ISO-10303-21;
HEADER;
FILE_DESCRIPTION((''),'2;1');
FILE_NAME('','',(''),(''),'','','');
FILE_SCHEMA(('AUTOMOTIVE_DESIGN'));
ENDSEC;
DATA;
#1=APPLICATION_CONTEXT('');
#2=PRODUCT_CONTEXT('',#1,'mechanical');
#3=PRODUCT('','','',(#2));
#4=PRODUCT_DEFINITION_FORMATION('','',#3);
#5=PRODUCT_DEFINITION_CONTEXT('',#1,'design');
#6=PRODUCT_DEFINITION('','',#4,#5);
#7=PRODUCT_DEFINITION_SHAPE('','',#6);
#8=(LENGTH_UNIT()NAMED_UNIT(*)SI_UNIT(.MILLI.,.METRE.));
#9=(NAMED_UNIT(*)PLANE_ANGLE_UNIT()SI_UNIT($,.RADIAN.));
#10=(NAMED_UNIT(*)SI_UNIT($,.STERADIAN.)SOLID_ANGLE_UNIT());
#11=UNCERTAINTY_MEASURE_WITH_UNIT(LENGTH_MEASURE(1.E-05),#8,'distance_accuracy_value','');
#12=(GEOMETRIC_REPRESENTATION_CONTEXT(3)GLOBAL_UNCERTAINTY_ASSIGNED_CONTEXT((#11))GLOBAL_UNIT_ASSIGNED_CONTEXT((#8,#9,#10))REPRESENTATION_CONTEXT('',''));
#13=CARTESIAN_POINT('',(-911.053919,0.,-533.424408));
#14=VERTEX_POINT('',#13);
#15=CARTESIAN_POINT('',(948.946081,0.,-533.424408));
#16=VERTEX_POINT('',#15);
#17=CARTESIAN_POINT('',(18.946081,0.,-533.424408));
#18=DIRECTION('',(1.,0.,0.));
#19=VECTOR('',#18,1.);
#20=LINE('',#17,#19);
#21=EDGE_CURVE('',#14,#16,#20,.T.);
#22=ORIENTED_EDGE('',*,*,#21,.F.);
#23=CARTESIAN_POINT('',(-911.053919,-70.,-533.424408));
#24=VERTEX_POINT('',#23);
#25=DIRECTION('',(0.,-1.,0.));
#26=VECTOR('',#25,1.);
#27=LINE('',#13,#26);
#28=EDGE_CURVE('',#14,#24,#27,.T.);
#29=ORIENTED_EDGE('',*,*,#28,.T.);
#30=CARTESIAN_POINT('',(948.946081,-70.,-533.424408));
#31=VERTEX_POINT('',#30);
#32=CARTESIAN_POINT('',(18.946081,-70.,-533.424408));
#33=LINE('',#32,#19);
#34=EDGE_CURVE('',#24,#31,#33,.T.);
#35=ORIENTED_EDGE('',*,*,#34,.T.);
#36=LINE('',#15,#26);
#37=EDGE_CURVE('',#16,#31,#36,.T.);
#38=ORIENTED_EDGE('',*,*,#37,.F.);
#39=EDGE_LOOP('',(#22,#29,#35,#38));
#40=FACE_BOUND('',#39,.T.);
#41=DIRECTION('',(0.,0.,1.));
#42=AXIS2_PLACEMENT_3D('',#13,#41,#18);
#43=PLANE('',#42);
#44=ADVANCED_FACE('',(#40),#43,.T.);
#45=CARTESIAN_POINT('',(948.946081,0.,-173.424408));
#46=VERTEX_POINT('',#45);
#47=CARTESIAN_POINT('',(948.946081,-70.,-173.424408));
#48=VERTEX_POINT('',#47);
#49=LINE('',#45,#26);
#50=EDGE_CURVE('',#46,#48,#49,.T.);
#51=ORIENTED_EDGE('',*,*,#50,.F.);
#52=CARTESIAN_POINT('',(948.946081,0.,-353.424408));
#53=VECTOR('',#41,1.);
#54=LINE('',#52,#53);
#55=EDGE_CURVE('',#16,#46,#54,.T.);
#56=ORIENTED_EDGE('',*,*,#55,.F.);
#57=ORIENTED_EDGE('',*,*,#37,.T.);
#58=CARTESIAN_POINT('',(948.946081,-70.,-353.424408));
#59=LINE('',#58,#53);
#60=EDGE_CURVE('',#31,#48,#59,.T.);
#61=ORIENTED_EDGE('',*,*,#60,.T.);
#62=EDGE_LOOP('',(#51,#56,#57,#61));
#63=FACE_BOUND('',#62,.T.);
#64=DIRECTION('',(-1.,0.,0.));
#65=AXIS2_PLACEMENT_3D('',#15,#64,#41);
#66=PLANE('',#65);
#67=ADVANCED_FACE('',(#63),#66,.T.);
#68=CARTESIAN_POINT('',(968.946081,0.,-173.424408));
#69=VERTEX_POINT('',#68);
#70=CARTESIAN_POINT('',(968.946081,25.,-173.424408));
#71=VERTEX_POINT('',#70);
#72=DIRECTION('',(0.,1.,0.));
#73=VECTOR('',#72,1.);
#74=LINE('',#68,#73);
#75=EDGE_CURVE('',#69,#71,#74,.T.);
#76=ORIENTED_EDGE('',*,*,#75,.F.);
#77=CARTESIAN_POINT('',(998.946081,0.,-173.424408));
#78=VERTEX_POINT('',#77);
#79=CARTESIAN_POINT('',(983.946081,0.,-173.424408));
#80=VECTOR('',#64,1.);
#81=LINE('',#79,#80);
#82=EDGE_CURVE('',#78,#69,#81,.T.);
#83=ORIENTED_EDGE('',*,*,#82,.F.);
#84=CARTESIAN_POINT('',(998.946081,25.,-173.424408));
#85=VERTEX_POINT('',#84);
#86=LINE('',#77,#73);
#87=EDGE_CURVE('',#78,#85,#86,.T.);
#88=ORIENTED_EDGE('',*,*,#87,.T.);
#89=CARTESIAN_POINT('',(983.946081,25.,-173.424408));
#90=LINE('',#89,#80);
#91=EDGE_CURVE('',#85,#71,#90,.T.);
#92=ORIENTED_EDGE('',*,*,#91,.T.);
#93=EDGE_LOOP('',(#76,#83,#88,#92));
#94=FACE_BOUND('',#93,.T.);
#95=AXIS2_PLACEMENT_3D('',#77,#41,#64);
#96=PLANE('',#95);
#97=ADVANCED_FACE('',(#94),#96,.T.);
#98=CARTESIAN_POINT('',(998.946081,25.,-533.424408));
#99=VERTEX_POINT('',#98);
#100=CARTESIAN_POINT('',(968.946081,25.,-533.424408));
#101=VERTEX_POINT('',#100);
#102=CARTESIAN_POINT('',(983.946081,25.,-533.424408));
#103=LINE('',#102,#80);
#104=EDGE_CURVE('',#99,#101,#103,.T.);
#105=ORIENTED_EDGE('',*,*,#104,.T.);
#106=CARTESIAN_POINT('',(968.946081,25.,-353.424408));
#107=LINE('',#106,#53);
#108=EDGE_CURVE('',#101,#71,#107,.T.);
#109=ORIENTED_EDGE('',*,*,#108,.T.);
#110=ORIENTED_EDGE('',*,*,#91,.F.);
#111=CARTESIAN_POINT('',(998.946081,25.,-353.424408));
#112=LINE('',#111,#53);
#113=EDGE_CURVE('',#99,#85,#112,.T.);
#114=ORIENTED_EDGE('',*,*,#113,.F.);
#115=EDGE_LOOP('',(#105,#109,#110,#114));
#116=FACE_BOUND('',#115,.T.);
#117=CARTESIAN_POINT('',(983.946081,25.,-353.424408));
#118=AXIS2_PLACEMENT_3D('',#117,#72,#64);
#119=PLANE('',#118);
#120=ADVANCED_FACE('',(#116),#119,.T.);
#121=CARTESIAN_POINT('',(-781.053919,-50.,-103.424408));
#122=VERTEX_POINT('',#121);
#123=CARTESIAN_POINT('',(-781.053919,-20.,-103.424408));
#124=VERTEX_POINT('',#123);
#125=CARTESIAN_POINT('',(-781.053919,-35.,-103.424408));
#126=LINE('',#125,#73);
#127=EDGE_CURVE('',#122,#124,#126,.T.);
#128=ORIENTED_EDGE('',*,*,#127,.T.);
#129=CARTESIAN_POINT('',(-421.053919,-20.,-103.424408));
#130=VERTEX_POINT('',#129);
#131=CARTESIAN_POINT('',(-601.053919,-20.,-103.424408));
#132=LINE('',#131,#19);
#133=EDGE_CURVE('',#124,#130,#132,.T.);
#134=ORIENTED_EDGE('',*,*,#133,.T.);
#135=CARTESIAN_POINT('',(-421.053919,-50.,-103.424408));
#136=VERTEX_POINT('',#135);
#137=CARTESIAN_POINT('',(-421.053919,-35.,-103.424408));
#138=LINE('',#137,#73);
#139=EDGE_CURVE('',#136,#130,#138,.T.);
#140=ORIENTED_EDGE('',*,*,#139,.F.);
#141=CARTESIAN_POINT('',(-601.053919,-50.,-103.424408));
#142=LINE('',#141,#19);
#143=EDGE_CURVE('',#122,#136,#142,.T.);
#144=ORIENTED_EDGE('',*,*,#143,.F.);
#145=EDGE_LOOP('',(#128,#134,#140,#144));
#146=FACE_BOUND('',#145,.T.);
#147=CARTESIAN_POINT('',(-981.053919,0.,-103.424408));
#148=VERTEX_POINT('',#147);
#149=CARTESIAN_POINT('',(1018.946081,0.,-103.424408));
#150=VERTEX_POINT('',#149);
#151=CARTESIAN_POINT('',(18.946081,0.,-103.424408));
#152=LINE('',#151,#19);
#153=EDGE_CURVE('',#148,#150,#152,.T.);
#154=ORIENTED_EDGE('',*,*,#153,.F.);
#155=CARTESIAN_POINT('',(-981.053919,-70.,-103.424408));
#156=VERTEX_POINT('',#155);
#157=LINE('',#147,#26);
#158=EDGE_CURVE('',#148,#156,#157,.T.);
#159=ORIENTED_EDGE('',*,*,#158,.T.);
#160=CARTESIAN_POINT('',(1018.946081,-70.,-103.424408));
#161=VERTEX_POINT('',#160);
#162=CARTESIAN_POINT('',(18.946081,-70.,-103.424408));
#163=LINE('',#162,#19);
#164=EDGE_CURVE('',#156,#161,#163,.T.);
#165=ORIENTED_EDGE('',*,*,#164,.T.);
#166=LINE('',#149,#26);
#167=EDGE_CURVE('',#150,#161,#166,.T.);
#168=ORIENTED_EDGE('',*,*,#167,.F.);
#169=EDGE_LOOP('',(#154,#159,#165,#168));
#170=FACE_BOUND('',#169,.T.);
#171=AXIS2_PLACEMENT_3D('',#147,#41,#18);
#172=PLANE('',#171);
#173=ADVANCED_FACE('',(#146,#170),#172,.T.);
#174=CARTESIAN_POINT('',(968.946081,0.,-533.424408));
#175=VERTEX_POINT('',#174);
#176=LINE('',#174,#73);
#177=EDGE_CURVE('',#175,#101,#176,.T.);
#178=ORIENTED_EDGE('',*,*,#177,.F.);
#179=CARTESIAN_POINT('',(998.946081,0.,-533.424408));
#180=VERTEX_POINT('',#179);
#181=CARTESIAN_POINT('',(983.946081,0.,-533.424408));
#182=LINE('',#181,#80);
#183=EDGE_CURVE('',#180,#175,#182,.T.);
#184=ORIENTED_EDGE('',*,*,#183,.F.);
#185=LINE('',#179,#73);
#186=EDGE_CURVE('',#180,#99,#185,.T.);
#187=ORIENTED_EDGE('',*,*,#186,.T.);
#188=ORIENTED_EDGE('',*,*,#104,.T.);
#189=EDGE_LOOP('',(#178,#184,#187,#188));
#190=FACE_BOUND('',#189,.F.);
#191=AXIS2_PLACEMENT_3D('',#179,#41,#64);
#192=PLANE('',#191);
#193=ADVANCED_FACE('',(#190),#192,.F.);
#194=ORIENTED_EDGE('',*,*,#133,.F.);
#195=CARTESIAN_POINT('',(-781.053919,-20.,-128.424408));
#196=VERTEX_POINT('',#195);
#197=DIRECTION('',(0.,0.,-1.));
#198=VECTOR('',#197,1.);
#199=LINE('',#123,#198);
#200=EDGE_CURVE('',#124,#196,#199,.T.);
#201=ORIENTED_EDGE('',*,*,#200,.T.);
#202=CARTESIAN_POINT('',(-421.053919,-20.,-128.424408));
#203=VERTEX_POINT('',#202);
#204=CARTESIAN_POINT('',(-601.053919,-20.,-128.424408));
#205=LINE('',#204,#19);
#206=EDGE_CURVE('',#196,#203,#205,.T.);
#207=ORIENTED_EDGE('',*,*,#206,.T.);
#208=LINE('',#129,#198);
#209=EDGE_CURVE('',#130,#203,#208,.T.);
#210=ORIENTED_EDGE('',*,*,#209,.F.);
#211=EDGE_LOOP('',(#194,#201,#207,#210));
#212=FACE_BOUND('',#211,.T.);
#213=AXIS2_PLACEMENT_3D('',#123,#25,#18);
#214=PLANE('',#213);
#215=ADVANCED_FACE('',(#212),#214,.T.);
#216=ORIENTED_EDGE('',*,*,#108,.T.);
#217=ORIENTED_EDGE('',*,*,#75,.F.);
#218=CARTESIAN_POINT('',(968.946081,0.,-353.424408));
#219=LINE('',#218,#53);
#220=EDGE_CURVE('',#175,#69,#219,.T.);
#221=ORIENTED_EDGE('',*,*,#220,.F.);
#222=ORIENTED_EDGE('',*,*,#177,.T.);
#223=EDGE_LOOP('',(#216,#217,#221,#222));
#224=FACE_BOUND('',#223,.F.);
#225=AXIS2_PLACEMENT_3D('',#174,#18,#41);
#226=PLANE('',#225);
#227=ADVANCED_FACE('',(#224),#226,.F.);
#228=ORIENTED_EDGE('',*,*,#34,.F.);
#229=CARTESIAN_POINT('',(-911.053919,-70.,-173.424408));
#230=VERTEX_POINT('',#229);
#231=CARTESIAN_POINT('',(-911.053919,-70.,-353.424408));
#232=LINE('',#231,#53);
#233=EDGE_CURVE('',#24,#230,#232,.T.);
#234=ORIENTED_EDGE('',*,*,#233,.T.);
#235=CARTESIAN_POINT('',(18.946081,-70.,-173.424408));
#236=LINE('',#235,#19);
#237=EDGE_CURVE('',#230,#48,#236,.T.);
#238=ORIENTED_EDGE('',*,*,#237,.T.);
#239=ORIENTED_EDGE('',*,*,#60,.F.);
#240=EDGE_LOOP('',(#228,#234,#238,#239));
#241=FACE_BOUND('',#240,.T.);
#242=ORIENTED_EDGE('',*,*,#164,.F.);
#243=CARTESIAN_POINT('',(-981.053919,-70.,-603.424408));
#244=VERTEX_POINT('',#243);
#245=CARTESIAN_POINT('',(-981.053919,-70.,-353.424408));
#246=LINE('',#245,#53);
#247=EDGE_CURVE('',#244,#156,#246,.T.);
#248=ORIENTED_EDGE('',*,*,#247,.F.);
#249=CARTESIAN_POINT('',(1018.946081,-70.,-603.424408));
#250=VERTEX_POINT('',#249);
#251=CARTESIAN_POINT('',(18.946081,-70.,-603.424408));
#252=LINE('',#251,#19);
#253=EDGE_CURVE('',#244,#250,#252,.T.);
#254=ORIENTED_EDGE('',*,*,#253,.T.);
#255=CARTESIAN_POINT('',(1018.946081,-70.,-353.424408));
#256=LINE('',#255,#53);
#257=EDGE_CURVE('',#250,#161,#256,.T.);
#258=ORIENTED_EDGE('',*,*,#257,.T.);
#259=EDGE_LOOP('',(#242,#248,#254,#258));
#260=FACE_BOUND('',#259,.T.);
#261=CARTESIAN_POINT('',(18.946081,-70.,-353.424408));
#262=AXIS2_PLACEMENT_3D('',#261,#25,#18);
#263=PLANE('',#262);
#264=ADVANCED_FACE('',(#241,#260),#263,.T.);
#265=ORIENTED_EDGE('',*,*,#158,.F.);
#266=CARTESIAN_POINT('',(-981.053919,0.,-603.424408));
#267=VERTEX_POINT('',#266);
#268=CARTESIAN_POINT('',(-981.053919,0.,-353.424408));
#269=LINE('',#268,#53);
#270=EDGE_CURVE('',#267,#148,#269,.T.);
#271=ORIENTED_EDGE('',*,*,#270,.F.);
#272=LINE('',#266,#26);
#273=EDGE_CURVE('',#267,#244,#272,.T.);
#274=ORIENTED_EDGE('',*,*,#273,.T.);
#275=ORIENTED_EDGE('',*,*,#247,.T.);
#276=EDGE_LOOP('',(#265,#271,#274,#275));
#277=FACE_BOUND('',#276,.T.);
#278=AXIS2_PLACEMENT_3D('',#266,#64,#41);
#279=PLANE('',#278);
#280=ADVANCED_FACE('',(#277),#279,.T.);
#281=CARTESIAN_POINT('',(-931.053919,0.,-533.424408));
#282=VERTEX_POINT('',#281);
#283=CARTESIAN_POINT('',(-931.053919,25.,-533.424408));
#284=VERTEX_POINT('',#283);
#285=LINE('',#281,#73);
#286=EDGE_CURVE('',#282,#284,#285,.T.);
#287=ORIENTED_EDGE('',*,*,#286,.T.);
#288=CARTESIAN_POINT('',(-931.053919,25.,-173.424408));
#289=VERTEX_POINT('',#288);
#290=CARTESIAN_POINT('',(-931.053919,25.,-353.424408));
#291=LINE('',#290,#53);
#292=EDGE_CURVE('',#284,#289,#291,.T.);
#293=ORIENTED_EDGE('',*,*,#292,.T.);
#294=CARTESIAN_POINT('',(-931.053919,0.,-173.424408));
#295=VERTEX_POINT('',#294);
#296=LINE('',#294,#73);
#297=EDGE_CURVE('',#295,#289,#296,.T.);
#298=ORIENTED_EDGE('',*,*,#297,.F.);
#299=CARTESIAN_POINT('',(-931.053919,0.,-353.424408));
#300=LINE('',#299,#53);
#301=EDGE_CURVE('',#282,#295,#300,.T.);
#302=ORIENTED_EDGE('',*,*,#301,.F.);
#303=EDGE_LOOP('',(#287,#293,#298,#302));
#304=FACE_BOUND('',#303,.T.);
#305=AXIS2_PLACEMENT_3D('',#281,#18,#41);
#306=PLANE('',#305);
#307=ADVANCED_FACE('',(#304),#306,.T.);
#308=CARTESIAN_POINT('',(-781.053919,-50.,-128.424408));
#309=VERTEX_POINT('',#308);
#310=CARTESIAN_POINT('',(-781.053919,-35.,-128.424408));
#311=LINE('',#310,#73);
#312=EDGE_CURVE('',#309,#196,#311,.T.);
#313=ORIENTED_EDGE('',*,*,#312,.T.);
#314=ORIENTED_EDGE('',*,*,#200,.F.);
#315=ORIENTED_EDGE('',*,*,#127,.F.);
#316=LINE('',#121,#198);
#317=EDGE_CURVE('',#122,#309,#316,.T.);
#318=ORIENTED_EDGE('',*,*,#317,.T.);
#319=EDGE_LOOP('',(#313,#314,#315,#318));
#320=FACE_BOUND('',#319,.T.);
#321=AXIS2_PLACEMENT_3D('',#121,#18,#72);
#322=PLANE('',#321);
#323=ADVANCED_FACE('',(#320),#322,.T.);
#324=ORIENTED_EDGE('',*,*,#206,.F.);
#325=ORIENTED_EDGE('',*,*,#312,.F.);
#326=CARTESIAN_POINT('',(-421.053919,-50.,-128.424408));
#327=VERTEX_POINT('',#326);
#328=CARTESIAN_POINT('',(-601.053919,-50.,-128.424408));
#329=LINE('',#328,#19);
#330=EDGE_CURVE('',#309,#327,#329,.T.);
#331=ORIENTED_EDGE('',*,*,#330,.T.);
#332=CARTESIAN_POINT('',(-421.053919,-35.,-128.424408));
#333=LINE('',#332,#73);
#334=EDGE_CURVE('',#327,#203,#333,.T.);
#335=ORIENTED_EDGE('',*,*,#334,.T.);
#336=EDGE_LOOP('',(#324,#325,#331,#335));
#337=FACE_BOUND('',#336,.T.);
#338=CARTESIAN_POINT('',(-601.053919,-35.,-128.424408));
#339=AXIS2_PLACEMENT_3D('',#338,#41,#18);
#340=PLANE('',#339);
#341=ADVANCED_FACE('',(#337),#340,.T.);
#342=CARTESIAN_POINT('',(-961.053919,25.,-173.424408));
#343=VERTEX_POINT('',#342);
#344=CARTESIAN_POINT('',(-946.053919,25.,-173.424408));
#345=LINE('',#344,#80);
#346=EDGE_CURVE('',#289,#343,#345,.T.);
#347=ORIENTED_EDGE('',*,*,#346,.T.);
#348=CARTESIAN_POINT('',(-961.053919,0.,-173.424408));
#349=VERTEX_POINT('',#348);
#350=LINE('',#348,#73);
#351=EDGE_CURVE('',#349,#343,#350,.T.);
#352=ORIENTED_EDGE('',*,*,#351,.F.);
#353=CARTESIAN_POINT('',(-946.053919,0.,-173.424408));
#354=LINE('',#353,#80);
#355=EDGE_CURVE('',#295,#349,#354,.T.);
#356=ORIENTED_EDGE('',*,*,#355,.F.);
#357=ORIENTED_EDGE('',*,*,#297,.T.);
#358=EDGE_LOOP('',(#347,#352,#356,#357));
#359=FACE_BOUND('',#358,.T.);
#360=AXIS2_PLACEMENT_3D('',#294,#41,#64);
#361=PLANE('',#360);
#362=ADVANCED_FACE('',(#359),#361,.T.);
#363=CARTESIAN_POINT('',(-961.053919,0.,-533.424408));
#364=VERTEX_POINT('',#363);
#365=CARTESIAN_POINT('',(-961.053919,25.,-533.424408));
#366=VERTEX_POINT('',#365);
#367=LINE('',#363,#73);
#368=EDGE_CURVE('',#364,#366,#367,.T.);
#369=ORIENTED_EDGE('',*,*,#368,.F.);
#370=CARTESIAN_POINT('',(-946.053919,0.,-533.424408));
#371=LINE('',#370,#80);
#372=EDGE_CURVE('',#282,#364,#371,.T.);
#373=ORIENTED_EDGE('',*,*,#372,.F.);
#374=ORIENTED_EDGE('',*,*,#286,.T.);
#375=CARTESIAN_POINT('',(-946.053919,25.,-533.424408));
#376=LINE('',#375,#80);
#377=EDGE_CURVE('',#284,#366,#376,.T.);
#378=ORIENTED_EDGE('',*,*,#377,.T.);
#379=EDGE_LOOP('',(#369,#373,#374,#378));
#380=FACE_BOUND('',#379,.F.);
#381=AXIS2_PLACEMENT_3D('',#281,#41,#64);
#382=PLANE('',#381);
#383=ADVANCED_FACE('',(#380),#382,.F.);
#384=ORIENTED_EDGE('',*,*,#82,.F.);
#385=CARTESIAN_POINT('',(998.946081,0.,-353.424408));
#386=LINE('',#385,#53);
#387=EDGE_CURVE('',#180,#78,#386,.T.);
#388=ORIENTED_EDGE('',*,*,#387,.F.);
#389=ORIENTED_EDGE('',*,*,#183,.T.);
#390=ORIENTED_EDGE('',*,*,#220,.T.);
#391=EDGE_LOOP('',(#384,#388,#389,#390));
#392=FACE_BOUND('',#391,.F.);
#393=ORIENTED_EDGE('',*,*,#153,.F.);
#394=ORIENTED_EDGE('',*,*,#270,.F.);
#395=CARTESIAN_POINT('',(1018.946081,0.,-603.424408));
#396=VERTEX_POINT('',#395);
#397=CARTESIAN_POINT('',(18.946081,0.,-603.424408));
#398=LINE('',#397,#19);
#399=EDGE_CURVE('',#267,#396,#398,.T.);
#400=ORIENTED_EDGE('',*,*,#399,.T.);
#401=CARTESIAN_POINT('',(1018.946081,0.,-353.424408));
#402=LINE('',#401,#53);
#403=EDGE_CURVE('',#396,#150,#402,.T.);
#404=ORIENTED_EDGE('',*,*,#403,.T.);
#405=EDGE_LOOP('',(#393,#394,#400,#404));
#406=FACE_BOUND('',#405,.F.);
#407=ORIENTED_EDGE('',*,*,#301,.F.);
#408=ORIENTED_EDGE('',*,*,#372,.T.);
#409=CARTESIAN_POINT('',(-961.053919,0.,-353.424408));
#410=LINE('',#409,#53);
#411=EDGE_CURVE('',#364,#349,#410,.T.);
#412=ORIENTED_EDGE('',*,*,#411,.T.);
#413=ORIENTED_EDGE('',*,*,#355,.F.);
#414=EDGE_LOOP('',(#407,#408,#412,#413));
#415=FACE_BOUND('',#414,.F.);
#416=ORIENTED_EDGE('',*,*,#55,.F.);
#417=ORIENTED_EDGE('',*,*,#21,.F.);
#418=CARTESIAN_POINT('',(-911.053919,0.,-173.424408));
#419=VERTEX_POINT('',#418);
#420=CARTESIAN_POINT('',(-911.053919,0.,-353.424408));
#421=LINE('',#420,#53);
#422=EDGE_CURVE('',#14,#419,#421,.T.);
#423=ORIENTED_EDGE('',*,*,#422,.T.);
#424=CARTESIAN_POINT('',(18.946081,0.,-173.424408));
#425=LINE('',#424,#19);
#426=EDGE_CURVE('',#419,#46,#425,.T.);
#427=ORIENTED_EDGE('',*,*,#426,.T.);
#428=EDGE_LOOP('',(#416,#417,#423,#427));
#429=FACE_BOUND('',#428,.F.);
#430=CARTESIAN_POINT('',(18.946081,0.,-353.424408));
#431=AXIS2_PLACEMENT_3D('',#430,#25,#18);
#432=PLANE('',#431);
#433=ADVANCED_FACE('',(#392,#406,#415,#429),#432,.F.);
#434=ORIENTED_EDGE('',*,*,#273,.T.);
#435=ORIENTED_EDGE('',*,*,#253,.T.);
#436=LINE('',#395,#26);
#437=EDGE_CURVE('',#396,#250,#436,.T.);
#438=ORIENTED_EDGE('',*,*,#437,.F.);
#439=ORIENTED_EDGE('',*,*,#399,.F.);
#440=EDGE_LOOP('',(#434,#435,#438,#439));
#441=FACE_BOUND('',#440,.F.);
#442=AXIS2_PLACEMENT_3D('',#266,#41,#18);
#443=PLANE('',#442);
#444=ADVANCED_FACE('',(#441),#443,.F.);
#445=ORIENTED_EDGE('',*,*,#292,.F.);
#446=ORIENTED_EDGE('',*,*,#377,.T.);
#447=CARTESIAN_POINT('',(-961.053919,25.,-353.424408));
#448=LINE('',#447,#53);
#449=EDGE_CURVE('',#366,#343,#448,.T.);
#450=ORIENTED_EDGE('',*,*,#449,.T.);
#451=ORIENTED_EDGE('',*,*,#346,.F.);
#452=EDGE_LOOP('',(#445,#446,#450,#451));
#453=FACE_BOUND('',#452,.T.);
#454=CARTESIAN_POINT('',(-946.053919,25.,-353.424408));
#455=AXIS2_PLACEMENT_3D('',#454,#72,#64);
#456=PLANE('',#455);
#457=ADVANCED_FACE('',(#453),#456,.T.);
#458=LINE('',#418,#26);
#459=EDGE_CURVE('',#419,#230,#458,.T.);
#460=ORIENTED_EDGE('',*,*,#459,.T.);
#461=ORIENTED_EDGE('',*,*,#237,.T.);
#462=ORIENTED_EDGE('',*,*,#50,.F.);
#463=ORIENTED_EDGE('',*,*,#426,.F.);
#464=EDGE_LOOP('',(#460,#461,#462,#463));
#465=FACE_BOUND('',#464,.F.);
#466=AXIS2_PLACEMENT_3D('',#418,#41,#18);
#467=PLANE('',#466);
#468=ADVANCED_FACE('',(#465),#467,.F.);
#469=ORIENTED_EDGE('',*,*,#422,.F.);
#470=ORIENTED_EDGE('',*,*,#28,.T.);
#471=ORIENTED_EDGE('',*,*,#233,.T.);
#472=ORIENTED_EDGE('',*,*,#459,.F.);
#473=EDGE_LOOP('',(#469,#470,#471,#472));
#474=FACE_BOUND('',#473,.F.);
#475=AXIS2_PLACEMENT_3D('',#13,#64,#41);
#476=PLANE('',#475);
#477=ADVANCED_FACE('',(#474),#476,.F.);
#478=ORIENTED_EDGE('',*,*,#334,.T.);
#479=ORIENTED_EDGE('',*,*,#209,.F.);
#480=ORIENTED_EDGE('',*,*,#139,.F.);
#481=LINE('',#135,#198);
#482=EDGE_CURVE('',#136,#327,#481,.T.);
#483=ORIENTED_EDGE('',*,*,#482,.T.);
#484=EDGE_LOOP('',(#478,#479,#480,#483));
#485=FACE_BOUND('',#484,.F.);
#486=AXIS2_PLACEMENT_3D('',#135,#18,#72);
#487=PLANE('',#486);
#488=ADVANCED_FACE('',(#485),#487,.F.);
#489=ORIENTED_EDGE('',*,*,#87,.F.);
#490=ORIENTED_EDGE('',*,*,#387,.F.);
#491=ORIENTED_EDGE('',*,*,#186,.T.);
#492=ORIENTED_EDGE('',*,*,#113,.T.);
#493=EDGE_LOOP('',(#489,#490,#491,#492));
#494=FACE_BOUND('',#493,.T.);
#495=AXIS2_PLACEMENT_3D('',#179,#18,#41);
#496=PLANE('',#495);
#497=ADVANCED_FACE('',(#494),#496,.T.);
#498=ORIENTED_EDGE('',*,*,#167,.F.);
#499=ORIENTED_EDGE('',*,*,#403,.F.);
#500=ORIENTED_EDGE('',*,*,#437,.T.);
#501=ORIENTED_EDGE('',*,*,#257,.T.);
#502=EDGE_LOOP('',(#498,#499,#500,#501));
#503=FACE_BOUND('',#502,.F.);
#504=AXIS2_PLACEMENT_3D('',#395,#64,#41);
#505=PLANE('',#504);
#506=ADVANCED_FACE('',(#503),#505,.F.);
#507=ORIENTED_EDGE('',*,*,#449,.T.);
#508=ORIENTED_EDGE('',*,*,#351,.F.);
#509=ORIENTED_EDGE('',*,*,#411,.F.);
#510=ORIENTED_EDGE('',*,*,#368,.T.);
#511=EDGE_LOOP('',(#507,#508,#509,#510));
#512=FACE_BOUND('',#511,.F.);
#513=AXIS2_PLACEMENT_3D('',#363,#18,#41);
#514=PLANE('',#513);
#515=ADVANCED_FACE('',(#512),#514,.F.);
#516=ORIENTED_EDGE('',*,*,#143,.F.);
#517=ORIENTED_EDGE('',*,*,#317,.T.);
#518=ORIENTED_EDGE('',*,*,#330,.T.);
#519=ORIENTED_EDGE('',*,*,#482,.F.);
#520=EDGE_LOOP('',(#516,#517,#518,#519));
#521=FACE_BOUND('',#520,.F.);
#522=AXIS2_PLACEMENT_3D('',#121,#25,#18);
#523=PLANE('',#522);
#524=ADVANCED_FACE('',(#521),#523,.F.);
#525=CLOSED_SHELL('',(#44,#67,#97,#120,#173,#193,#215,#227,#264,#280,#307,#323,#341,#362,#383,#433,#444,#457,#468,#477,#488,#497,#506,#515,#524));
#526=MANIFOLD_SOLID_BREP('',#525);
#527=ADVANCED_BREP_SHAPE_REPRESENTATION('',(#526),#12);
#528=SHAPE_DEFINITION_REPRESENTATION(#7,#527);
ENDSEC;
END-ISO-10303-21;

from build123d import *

# Parameters (mm, degrees)
F0_W     = 2000
F0_H     = 500
F0_W_2   = 1860
F0_H_2   = 360
F1_DEPTH = 70
F2_W     = 30
F2_H     = 360
F3_DEPTH = 25
F4_DEPTH = 25
F5_W     = 360
F5_H     = 30
F6_DEPTH = 25


with BuildPart() as f1:
    # F0 (on Front) → F1 (new body)
    with BuildSketch(Plane.XZ):
        with Locations((18.946081, -353.424408)):
            Rectangle(F0_W, F0_H)
        with Locations((18.946081, -353.424408)):
            Rectangle(F0_W_2, F0_H_2, mode=Mode.SUBTRACT)
    extrude(amount=F1_DEPTH)



with BuildPart() as f3:
    # F2 (on face) → F3 (new body)
    with BuildSketch(Plane(origin=(0, 0, 0), x_dir=(-1, 0, 0), z_dir=(0, 1, 0))):
        with Locations((946.053919, -353.424408)):
            Rectangle(F2_W, F2_H)
    extrude(amount=-F3_DEPTH)


with BuildPart() as f1_1:
    add(f1.part)

    add(f3.part)  # F4 merges F3
    # F2 (on face) → F4 (join)
    with BuildSketch(Plane(origin=(0, 0, 0), x_dir=(-1, 0, 0), z_dir=(0, 1, 0))):
        with Locations((-983.946081, -353.424408)):
            Rectangle(F2_W, F2_H)
        with Locations((946.053919, -353.424408)):
            Rectangle(F2_W, F2_H)
    extrude(amount=F4_DEPTH)

    # F5 (on face) → F6 (cut)
    with BuildSketch(Plane.XY.offset(-103.424408)):
        with Locations((-601.053919, -35)):
            Rectangle(F5_W, F5_H)
    extrude(amount=-F6_DEPTH, mode=Mode.SUBTRACT)


solid = f1_1.part
